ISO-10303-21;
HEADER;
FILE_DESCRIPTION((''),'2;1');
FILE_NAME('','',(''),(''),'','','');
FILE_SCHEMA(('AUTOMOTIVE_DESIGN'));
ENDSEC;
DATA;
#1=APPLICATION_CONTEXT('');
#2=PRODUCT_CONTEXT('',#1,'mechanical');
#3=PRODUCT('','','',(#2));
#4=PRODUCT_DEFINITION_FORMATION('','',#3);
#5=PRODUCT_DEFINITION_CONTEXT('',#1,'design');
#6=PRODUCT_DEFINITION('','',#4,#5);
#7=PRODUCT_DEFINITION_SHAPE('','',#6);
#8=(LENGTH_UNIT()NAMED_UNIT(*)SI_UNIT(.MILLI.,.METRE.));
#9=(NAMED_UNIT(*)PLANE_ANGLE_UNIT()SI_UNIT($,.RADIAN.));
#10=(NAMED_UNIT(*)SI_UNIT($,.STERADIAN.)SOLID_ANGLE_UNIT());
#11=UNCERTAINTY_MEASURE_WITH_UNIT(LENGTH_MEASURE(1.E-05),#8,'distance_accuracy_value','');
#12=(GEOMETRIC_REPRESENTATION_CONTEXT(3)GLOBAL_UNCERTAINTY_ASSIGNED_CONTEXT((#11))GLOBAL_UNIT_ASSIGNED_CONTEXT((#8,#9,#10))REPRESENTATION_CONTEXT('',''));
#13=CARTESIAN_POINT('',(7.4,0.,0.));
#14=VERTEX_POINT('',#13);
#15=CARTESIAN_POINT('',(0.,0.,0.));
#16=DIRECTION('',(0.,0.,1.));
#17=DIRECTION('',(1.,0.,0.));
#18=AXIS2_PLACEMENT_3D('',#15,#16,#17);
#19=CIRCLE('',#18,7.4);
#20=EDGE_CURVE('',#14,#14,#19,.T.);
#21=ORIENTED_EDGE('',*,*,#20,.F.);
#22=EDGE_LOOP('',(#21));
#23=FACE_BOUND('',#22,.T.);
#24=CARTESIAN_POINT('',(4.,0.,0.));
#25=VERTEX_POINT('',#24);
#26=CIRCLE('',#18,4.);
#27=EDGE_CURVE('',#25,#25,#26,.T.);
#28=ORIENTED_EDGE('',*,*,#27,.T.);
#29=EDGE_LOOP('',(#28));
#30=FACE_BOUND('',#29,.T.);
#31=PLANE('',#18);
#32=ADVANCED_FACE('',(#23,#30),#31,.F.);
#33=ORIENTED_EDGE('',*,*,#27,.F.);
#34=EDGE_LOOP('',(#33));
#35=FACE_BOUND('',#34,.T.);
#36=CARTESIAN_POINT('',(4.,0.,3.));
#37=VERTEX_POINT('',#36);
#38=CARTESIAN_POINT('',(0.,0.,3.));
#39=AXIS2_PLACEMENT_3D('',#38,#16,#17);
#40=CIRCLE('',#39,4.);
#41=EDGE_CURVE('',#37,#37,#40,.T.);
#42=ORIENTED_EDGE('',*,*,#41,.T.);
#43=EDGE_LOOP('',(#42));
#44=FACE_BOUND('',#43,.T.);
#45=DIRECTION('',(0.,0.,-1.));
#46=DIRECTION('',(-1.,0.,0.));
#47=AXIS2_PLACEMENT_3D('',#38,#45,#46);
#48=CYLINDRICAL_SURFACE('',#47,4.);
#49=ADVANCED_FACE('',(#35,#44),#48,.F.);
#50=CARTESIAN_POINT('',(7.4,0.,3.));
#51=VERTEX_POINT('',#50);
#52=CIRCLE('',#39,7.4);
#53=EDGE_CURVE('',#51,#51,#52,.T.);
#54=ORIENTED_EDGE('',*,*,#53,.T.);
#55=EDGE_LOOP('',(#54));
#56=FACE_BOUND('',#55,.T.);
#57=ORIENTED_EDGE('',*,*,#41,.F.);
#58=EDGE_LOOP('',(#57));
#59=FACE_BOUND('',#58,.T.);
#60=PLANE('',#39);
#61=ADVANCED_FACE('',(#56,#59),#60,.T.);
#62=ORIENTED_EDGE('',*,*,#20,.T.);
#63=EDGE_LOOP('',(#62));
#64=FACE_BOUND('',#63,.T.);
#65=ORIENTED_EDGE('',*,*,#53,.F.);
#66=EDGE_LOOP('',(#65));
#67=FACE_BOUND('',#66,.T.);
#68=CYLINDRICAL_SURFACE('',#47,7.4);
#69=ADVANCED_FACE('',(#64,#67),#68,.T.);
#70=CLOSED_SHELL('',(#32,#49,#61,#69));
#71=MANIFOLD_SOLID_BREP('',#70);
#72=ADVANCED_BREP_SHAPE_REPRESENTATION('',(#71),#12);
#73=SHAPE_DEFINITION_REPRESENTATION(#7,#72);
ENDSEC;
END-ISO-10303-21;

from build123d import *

# Parameters (mm, degrees)
SCHIZZO1_R                   = 7.4
SCHIZZO1_R_2                 = 4
ESTRUSIONE_ESTRUSIONE1_DEPTH = 3


with BuildPart() as part:
    # Schizzo1 → Estrusione-Estrusione1 (new body)
    with BuildSketch(Plane.XY):
        Circle(SCHIZZO1_R)
        Circle(SCHIZZO1_R_2, mode=Mode.SUBTRACT)
    extrude(amount=ESTRUSIONE_ESTRUSIONE1_DEPTH)


solid = part.part
